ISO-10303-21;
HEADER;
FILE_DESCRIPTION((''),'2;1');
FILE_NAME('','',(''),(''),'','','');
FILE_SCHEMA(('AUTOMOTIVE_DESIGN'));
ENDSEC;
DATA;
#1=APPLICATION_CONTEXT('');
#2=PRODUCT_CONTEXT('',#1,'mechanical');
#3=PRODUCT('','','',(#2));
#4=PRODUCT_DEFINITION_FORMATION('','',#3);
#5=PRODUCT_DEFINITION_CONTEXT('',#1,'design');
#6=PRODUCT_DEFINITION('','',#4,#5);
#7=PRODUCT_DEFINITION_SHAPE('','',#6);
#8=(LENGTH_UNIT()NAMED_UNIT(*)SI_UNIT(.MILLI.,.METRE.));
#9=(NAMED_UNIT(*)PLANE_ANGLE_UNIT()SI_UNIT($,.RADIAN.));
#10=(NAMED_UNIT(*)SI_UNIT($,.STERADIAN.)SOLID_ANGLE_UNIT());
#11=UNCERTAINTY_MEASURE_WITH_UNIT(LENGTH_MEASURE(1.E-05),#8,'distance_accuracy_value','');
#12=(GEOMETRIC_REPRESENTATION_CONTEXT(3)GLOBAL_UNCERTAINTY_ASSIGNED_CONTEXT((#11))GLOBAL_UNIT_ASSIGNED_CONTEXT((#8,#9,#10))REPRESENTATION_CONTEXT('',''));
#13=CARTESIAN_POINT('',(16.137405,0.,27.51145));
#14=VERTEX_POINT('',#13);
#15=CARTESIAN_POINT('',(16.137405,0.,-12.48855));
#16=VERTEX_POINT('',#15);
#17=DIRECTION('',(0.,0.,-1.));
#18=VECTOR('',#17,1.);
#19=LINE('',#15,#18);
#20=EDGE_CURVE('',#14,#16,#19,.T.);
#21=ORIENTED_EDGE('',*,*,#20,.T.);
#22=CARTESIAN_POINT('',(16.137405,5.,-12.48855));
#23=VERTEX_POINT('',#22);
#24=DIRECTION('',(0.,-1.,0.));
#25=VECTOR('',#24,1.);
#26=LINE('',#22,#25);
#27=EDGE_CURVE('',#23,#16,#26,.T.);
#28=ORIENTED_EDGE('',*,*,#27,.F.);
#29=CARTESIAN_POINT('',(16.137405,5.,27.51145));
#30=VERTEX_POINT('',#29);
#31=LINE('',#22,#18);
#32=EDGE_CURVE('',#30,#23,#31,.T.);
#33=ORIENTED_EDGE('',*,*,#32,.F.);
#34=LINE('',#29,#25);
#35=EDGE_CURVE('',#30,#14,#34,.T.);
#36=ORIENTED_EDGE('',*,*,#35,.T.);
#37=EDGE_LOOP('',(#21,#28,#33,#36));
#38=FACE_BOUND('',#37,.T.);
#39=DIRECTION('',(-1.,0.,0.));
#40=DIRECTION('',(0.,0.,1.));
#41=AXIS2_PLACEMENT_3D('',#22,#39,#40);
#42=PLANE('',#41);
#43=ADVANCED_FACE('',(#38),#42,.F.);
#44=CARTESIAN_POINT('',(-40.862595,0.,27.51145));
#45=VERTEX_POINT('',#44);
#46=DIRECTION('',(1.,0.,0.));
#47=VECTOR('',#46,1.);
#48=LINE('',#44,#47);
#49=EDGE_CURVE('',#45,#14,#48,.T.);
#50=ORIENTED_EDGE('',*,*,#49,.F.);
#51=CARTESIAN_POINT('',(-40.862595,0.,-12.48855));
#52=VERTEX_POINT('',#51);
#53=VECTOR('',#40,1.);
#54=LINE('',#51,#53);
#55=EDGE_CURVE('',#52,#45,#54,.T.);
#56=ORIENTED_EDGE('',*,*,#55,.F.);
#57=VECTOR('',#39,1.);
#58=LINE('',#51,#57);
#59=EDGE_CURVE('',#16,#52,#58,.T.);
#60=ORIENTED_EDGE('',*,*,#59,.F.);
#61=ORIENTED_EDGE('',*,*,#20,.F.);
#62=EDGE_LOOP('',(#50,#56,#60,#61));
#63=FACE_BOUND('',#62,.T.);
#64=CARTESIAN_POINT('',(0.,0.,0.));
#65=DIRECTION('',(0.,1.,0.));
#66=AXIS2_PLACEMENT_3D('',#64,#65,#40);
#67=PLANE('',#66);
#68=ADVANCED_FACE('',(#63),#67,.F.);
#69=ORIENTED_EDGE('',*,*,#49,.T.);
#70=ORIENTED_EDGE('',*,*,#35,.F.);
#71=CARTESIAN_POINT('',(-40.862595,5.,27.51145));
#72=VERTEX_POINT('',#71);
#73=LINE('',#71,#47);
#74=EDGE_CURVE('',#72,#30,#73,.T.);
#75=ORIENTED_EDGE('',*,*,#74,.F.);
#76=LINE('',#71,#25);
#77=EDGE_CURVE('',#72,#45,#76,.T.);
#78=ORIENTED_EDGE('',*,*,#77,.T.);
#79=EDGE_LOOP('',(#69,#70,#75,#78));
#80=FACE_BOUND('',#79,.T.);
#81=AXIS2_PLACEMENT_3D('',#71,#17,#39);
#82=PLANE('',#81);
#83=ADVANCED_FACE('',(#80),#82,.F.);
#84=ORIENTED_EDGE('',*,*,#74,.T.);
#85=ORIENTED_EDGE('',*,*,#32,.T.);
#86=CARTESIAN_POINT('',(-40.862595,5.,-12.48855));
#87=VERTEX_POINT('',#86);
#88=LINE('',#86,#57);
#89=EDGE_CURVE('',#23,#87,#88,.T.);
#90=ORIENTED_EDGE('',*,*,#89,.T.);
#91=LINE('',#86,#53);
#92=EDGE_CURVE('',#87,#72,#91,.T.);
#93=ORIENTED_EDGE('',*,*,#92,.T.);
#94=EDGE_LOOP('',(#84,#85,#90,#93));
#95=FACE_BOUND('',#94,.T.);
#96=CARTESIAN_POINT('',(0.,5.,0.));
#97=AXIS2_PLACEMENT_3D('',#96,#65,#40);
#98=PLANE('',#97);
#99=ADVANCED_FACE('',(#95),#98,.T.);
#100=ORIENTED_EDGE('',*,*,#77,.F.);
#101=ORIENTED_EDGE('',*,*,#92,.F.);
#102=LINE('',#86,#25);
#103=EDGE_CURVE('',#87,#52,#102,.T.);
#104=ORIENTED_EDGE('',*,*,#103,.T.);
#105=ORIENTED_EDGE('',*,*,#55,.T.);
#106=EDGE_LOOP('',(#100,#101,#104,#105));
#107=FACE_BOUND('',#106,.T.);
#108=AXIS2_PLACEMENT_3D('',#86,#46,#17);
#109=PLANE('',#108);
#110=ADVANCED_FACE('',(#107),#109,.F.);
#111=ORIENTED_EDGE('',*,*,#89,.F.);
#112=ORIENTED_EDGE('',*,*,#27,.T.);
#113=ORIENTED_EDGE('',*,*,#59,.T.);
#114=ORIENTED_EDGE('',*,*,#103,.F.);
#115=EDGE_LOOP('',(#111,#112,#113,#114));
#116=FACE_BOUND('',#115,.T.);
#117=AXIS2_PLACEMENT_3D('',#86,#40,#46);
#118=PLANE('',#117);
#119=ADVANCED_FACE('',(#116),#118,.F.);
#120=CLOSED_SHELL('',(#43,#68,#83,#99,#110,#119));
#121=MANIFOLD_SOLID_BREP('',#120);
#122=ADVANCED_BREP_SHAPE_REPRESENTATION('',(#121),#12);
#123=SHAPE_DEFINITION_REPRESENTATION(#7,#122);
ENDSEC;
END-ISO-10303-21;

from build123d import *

# Parameters (mm, degrees)
CROQUIS1_W              = 57
CROQUIS1_H              = 40
SALIENTE_EXTRUIR1_DEPTH = 5


with BuildPart() as part:
    # Croquis1 → Saliente-Extruir1 (new body)
    with BuildSketch(Plane(origin=(0, 0, 0), x_dir=(1, 0, 0), z_dir=(0, 1, 0))):
        with Locations((-12.36259542, -7.511450382)):
            Rectangle(CROQUIS1_W, CROQUIS1_H)
    extrude(amount=SALIENTE_EXTRUIR1_DEPTH)


solid = part.part
